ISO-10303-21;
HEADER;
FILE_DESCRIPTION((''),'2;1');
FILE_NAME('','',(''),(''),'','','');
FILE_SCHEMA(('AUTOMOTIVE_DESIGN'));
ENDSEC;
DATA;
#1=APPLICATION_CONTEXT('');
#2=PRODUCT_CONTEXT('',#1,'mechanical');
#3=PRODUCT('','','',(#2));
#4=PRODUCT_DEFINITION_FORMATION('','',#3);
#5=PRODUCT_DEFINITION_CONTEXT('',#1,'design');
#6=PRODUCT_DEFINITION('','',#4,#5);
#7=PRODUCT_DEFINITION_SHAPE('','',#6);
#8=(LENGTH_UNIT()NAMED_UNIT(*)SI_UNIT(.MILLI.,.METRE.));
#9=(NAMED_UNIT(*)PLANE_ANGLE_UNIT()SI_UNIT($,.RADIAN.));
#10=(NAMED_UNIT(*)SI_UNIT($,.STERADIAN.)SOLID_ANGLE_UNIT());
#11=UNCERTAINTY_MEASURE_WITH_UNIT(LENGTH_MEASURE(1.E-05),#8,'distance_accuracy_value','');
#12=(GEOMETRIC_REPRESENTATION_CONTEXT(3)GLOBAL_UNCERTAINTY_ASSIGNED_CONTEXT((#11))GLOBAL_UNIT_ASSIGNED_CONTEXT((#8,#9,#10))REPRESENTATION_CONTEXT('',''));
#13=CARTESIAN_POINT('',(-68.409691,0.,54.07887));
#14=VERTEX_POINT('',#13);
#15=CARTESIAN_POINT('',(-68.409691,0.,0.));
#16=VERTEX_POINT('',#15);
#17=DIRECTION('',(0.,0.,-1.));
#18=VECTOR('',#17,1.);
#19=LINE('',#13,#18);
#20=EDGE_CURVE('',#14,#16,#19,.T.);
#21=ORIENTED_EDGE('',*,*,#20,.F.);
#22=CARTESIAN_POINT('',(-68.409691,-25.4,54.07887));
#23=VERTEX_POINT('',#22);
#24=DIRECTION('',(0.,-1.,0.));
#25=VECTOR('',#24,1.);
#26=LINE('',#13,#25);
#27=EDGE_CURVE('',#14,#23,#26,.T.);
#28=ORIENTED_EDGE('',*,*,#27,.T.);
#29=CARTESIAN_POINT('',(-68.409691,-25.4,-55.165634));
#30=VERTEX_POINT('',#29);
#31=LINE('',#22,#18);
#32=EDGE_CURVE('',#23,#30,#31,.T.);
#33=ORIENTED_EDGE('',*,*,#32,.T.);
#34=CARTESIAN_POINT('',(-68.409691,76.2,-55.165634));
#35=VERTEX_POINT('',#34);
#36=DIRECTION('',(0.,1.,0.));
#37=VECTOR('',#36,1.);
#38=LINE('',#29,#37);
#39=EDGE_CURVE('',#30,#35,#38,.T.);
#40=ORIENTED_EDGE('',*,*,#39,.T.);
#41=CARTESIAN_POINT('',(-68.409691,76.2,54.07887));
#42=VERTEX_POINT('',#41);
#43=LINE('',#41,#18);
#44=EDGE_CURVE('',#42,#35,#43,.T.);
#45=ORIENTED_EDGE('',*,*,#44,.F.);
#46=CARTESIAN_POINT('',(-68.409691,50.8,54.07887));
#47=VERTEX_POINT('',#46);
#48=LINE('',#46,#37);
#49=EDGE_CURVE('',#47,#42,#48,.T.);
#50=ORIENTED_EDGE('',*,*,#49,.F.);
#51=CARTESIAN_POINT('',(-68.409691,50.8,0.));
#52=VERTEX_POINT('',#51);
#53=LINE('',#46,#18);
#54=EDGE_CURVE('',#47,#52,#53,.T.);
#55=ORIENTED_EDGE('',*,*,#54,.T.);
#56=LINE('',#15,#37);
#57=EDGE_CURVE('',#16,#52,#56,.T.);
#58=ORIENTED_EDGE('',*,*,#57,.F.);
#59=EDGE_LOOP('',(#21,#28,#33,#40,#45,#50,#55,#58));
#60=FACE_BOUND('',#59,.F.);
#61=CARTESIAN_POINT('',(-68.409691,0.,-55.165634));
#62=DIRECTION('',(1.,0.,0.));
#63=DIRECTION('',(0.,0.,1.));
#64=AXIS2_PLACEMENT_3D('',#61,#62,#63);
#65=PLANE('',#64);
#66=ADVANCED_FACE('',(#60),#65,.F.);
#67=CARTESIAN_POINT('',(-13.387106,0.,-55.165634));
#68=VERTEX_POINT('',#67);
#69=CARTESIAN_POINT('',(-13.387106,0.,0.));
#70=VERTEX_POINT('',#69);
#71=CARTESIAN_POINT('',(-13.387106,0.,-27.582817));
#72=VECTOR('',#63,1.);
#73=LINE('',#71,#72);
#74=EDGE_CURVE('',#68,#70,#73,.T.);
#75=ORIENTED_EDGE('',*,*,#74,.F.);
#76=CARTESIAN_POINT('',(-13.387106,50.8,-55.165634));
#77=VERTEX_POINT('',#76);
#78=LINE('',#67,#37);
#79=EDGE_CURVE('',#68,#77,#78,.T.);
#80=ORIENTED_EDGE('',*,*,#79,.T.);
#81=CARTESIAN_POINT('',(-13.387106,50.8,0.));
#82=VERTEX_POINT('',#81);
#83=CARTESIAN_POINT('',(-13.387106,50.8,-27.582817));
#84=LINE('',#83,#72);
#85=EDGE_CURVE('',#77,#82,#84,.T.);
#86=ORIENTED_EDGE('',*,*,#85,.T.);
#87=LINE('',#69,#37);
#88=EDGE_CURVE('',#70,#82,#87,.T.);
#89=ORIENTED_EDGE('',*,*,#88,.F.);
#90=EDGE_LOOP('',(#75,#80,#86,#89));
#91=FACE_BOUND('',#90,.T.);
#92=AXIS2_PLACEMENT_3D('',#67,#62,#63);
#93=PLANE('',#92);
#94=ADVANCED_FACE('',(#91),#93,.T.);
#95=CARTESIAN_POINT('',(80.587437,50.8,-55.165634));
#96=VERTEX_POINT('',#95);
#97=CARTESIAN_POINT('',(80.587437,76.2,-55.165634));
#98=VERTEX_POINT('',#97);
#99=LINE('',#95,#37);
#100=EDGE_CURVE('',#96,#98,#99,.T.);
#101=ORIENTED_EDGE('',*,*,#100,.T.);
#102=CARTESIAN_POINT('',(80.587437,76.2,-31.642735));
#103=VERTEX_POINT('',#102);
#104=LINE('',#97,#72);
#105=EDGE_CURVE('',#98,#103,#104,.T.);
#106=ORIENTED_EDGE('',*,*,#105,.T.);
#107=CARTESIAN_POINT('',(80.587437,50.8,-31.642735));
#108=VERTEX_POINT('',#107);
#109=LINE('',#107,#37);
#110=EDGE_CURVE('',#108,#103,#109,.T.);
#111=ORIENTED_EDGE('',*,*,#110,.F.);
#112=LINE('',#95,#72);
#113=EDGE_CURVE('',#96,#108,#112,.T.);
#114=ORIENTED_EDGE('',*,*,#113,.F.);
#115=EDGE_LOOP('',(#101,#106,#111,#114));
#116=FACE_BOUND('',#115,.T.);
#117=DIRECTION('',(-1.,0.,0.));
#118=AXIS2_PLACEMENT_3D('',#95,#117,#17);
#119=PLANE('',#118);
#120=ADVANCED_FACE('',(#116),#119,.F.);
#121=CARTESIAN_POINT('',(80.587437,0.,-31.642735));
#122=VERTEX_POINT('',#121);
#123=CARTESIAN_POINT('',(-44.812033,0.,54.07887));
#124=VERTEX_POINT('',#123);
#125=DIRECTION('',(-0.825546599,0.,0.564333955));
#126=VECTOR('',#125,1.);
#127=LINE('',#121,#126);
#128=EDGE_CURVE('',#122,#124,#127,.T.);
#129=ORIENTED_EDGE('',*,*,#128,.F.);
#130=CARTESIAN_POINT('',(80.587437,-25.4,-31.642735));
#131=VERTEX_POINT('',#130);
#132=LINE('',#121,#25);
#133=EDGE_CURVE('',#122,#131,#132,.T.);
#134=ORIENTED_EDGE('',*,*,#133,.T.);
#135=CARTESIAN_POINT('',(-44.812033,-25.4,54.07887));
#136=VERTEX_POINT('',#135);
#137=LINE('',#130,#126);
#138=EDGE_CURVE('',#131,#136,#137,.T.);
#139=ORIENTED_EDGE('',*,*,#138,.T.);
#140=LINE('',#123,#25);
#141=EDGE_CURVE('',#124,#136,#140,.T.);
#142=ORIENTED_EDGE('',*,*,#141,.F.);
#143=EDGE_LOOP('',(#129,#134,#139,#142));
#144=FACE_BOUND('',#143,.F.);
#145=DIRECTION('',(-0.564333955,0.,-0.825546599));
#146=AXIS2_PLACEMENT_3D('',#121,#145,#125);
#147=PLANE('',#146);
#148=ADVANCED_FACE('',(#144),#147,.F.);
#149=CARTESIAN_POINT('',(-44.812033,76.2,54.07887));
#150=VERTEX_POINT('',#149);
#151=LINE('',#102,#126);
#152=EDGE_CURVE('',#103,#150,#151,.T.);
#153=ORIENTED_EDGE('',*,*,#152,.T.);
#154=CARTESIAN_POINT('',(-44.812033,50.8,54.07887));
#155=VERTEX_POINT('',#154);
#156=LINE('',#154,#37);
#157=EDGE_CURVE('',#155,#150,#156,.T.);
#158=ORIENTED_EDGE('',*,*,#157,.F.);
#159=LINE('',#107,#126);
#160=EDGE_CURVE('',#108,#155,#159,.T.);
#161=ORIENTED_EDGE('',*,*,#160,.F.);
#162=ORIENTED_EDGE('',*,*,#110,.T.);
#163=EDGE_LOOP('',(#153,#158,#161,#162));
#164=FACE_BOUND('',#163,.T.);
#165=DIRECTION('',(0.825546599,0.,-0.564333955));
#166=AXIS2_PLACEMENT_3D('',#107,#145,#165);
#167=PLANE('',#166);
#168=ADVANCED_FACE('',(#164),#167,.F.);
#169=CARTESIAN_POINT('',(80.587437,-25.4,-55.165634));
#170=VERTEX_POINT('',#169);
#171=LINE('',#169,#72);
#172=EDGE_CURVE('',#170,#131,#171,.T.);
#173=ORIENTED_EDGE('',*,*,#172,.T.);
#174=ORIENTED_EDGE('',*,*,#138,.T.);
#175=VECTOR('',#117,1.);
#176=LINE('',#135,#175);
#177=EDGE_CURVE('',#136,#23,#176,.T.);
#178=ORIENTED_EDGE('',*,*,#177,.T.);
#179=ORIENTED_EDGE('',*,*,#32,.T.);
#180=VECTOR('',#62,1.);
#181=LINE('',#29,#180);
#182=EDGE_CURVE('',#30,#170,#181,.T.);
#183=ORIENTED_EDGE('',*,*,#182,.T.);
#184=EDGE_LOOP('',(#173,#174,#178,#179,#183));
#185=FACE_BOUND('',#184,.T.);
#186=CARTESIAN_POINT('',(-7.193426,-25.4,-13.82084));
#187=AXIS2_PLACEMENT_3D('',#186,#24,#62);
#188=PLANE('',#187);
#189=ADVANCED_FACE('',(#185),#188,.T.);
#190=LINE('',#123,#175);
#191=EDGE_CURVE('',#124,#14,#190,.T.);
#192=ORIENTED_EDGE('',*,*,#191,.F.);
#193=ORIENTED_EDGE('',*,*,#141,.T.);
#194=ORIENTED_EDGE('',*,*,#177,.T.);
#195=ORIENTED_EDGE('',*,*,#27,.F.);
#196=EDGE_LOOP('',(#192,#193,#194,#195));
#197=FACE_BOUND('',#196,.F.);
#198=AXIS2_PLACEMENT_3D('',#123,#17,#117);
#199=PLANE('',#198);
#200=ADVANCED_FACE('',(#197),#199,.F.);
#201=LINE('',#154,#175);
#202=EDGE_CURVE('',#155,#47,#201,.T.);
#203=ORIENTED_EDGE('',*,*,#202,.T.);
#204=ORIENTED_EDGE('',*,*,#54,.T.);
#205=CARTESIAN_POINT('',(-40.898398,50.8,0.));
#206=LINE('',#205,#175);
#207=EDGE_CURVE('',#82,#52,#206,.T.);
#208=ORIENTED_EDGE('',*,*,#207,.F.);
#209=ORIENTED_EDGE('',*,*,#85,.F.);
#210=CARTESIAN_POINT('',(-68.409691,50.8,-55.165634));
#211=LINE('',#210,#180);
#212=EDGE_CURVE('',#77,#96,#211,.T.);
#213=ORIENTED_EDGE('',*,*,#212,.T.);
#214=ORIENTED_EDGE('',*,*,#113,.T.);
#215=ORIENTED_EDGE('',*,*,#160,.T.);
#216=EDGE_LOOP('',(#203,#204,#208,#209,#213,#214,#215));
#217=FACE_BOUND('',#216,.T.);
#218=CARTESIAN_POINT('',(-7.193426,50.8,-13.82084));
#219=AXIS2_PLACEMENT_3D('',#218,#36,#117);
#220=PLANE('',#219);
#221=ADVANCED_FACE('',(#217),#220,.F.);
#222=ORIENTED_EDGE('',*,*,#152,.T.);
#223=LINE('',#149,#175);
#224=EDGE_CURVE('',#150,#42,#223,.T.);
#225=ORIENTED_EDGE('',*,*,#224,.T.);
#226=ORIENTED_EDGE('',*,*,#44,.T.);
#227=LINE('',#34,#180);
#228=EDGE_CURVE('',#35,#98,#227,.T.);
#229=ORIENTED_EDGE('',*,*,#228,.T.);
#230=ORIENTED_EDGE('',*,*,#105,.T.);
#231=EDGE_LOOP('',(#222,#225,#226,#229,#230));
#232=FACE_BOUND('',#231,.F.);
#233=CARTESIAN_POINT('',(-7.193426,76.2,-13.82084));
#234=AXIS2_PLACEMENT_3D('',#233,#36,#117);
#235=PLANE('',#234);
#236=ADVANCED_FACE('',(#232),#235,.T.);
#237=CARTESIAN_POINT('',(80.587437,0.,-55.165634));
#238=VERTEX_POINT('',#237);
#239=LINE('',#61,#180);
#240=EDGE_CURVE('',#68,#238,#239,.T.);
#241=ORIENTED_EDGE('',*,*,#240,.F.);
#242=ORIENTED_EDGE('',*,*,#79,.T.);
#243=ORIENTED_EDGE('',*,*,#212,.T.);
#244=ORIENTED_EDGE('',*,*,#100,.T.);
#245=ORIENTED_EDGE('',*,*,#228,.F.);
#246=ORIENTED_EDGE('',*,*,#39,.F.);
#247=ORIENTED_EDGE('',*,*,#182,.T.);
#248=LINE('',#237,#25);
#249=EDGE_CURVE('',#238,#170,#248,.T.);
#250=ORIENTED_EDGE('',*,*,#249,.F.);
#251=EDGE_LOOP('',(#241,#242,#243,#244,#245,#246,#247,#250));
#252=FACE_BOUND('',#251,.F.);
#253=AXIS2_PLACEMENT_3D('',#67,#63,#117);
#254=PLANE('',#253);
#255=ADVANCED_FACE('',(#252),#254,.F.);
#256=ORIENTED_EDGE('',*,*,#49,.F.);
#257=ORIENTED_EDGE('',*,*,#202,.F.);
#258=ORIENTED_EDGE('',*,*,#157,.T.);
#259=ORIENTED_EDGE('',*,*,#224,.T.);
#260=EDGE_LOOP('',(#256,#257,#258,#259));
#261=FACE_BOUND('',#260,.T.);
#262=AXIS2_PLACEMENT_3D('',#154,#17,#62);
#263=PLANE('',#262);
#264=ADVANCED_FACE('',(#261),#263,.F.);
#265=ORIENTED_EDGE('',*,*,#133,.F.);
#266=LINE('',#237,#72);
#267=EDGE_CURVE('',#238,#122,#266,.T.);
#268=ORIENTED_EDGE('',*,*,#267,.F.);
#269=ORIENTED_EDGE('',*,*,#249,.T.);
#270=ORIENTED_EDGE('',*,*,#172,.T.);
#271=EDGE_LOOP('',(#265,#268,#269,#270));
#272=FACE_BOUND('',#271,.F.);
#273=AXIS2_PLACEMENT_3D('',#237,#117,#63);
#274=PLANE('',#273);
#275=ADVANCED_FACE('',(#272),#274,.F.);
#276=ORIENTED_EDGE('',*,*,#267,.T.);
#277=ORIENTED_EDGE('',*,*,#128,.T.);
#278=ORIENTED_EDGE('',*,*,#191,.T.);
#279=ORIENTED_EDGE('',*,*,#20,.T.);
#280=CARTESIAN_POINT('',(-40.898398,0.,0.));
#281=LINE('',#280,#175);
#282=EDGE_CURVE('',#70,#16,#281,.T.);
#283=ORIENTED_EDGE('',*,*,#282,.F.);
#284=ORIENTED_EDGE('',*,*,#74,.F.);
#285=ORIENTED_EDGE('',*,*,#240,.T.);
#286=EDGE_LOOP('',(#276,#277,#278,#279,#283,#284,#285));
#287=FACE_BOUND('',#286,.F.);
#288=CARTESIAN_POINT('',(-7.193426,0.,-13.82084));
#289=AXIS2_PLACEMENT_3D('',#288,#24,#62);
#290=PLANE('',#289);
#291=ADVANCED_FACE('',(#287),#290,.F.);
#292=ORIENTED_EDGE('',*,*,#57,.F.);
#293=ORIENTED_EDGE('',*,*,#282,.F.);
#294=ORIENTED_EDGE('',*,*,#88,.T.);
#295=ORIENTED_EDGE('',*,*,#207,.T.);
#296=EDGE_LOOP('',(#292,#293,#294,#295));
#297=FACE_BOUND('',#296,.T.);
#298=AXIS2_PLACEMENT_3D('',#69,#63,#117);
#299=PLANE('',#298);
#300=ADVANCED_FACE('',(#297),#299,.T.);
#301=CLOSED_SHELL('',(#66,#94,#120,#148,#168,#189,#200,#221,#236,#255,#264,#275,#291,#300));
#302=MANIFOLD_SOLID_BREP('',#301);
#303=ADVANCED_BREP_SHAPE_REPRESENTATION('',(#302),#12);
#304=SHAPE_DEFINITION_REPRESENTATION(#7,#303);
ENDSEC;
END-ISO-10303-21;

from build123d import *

# Parameters (mm, degrees)
F1_DEPTH = 25.4
F4_W     = 55.0225842744
F4_H     = 55.1656335513
F5_DEPTH = 50.8


with BuildPart() as f1:
    # F0 (on Front) → F1 (new body)
    with BuildSketch(Plane.XZ):
        Polygon((-68.4096906334, 54.0788695137), (-68.4096906334, -55.1656335513), (80.5874373764, -55.1656335513), (80.5874373764, -31.6427350123), (-44.8120329529, 54.0788695137), align=None)
    extrude(amount=F1_DEPTH)


with BuildPart() as f3_1:
    # F3: instance of F1
    add(f1.part.mirror(Plane.XZ.offset(-25.4)))


with BuildPart() as f1_1:
    add(f1.part)

    add(f3_1.part)  # F5 merges F3_1
    # F4 (on face) → F5 (join, through all)
    with BuildSketch(Plane(origin=(0, 0, 0), x_dir=(-1, 0, 0), z_dir=(0, 1, 0))):
        with Locations((40.8983984962, -27.5828167757)):
            Rectangle(F4_W, F4_H)
    extrude(amount=F5_DEPTH)


solid = f1_1.part
